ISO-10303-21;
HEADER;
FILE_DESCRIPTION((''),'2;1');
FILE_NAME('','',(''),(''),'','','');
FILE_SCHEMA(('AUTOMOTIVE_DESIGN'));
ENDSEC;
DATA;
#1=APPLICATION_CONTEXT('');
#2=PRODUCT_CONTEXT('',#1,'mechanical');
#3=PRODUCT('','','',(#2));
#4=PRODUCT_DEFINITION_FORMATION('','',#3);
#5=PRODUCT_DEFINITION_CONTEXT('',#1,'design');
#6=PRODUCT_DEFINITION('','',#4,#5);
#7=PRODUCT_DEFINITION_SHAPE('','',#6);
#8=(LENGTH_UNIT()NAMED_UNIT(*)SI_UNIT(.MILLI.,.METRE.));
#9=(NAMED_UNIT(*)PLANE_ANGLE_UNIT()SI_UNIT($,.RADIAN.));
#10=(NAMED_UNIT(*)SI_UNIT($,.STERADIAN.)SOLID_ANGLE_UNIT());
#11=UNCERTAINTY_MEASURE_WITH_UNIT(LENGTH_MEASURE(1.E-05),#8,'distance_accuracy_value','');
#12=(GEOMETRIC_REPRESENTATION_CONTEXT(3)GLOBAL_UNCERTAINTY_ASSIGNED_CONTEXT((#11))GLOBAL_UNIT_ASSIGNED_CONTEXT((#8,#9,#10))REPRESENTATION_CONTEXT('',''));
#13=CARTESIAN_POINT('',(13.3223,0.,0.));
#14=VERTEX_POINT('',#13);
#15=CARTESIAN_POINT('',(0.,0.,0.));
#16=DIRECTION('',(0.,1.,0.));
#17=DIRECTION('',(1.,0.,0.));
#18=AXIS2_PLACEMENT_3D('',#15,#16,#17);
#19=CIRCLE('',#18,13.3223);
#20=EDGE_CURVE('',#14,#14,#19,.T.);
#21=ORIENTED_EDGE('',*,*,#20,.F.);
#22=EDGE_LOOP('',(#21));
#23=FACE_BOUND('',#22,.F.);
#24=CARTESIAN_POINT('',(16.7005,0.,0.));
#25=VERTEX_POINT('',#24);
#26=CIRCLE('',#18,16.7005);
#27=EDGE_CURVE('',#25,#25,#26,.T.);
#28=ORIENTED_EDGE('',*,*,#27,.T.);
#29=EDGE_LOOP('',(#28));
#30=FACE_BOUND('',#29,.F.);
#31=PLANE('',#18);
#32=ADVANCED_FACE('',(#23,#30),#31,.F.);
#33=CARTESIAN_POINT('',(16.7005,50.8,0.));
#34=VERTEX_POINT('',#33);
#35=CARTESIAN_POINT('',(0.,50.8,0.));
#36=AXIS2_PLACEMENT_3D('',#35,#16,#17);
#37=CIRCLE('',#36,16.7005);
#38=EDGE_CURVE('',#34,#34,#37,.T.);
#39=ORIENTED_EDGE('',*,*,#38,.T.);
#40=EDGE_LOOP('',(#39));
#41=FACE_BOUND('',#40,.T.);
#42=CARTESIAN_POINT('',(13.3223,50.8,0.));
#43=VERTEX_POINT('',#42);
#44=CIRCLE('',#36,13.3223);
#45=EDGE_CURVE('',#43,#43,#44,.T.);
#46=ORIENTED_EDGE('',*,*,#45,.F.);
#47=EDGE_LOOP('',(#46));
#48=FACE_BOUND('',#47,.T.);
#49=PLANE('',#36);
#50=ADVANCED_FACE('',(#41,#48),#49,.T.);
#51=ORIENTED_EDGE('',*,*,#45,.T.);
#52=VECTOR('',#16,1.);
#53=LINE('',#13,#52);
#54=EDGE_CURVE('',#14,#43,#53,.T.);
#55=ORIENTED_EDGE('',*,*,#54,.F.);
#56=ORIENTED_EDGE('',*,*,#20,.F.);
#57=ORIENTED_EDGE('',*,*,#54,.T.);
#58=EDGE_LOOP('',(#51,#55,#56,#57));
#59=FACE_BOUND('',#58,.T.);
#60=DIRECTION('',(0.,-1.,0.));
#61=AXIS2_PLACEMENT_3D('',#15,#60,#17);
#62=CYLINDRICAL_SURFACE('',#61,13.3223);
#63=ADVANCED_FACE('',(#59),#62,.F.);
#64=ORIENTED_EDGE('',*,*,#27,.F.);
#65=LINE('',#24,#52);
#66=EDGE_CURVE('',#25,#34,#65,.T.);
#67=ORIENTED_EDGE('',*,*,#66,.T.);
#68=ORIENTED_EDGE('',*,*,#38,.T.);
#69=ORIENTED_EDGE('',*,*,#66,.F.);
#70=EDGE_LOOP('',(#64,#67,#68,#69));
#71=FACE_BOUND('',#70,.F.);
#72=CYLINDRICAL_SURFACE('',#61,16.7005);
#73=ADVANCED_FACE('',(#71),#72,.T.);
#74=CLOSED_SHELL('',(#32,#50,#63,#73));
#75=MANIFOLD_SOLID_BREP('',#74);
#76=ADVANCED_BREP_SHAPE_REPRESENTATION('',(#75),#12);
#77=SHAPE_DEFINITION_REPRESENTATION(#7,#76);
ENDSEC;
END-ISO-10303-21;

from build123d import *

# Parameters (mm, degrees)
SKETCH1_R           = 16.7005
SKETCH1_R_2         = 13.3223
BOSS_EXTRUDE1_DEPTH = 50.8


with BuildPart() as part:
    # Sketch1 → Boss-Extrude1 (new body)
    with BuildSketch(Plane(origin=(0, 0, 0), x_dir=(1, 0, 0), z_dir=(0, 1, 0))):
        Circle(SKETCH1_R)
        Circle(SKETCH1_R_2, mode=Mode.SUBTRACT)
    extrude(amount=BOSS_EXTRUDE1_DEPTH)


solid = part.part
